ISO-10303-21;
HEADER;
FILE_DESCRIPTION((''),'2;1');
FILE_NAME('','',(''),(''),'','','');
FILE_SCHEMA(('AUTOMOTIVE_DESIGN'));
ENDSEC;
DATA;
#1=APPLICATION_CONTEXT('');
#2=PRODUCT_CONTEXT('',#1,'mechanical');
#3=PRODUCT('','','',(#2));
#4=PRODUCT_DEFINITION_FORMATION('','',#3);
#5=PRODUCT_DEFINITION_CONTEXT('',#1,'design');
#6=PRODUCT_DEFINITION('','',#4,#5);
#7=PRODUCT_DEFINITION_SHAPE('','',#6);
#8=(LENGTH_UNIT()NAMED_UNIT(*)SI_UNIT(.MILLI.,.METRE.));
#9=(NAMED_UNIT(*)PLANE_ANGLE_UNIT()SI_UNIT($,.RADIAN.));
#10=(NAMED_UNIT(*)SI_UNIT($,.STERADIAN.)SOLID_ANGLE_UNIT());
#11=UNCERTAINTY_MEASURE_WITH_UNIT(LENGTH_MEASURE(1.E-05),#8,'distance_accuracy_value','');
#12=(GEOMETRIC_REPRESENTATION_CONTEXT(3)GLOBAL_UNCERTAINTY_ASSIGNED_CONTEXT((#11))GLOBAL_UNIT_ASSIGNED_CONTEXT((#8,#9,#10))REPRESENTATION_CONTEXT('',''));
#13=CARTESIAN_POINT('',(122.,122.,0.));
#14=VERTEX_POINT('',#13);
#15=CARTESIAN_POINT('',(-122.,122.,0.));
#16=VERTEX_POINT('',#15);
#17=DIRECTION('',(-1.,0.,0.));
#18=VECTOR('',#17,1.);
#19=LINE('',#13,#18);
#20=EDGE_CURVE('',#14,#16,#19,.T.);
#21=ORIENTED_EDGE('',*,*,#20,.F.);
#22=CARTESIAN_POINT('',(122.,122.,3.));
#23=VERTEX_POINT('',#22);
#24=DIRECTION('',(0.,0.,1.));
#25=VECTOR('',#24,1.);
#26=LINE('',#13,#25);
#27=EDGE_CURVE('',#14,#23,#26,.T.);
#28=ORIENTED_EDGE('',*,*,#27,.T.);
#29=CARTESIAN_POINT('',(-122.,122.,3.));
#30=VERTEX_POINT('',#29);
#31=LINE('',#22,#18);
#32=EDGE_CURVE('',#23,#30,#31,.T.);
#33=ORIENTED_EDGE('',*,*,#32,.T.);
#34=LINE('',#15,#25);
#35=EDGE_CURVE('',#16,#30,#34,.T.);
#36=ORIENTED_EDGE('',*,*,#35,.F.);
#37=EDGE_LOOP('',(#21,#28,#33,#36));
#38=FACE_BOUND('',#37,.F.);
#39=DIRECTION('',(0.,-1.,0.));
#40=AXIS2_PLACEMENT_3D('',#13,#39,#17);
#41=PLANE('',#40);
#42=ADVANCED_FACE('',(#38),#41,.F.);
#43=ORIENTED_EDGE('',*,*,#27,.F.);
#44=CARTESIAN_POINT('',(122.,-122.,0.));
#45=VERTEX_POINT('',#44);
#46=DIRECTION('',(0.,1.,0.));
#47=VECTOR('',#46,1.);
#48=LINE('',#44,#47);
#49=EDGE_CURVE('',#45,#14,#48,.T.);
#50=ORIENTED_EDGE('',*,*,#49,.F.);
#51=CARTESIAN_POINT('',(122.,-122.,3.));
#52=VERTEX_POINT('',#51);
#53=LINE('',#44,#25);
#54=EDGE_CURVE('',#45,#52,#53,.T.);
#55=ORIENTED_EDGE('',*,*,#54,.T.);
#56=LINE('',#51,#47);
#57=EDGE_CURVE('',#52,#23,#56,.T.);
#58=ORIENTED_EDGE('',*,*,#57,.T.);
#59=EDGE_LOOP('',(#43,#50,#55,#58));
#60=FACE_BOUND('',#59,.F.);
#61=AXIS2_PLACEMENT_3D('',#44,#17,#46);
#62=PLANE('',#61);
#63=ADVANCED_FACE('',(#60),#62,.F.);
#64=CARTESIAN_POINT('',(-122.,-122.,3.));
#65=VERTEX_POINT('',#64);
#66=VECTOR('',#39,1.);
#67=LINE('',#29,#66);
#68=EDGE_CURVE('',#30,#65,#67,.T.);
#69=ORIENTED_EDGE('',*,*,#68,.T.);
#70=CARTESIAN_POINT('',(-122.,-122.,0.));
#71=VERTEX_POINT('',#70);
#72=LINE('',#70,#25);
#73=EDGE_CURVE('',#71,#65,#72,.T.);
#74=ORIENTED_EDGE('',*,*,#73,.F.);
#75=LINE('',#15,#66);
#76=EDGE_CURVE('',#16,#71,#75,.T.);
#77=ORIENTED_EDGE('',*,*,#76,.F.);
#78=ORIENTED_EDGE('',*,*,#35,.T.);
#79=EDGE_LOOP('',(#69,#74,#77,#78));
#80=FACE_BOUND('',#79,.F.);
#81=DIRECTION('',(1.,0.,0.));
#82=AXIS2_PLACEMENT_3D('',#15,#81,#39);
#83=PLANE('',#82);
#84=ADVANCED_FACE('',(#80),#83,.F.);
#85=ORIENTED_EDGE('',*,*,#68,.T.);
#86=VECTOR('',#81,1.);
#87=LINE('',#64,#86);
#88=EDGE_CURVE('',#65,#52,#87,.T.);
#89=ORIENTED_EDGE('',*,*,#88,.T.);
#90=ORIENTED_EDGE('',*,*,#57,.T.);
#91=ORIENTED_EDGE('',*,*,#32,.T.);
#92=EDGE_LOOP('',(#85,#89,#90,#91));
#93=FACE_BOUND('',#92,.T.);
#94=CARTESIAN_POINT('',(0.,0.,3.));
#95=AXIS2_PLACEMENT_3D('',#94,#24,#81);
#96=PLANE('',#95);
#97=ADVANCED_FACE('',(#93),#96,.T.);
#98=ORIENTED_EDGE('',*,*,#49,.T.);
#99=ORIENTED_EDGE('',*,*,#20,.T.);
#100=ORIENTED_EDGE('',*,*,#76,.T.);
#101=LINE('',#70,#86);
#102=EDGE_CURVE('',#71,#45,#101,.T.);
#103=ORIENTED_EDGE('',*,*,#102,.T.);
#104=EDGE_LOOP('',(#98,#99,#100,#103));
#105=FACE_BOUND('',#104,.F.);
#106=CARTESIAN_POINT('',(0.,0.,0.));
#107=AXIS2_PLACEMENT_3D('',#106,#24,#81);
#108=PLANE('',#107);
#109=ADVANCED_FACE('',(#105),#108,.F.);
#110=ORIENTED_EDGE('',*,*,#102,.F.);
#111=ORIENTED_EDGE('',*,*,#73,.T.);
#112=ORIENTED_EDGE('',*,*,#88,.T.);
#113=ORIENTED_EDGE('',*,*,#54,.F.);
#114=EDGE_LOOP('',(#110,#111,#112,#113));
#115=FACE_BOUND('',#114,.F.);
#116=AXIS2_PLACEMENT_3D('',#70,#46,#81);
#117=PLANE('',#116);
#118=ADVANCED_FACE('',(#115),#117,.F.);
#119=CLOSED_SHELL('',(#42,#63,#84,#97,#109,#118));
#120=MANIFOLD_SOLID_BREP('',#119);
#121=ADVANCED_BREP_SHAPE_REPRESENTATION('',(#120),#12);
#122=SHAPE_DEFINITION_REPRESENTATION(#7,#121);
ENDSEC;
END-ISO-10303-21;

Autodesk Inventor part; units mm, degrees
ref_plane "YZ Plane" through (0, 0, 0) normal (1, 0, 0) x (0, 1, 0)
ref_plane "XZ Plane" through (0, 0, 0) normal (0, 1, 0) x (-1, 0, 0)
ref_plane "XY Plane" through (0, 0, 0) normal (0, 0, 1) x (1, 0, 0)
sketch "Sketch1" plane through (0, 0, 0) normal (0, 0, 1) x (1, 0, 0)
  line L0 (-122, -122) -> (122, -122)
  line L1 (122, -122) -> (122, 122)
  line L2 (122, 122) -> (-122, 122)
  line L3 (-122, 122) -> (-122, -122)
  line L4 (-122, -122) -> (122, 122) construction
  line L5 (122, -122) -> (-122, 122) construction
  point P0 (0, 0)
  dimension "d0" = 244
  dimension "d1" = 244
extrude "Extrusion1" add sketch "Sketch1" along normal blind 3
properties part number "mainboard"
